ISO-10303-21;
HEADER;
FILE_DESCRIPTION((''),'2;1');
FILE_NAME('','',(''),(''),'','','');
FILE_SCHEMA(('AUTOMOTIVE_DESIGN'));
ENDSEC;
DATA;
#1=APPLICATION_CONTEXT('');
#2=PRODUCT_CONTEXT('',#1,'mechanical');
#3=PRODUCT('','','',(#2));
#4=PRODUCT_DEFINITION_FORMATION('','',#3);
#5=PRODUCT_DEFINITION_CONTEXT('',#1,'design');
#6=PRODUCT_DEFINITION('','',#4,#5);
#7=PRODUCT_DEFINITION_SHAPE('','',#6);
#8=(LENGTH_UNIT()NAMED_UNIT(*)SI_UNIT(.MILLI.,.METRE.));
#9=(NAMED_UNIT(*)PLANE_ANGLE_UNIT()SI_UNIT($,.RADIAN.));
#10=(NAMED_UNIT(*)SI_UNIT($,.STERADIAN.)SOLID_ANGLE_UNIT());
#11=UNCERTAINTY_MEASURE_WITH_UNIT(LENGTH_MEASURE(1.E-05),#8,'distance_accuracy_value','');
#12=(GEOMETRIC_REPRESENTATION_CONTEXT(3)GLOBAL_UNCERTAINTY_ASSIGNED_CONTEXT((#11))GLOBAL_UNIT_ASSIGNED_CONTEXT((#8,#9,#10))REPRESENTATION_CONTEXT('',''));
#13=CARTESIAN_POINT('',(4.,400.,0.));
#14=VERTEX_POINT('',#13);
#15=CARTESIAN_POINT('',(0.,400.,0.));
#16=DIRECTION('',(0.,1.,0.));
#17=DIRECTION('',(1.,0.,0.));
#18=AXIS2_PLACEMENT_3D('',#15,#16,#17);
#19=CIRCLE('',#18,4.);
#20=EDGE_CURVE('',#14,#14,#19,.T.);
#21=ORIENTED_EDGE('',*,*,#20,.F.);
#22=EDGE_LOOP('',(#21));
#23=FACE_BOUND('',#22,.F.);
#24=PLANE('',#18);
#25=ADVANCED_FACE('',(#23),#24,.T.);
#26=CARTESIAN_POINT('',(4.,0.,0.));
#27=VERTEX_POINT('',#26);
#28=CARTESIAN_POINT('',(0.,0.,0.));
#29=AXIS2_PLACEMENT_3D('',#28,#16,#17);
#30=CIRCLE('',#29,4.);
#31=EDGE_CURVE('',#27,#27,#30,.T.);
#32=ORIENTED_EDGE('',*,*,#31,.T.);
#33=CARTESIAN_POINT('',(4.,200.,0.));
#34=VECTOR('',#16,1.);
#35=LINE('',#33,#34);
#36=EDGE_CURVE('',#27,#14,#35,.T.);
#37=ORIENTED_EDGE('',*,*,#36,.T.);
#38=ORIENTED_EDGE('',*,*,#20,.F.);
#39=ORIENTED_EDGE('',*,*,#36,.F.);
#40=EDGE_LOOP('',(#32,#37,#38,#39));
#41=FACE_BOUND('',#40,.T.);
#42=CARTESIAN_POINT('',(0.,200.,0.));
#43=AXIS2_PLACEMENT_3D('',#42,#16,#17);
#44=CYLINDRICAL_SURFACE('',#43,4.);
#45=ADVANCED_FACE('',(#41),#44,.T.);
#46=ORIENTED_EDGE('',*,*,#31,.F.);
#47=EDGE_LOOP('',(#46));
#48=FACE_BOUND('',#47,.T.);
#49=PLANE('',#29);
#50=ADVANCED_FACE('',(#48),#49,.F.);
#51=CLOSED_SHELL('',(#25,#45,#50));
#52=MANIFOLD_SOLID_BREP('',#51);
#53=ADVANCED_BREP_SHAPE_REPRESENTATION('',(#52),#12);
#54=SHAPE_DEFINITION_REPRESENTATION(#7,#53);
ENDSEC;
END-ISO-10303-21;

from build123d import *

# Parameters (mm, degrees)
SKETCH2_W = 4
SKETCH2_H = 400


with BuildPart() as part:
    # Sketch2 → Revolve1 (revolve)
    with BuildSketch(Plane.XY):
        with Locations((2, 200)):
            Rectangle(SKETCH2_W, SKETCH2_H)
    revolve(axis=Axis((0, 0, 0), (0, 1, 0)))


solid = part.part
